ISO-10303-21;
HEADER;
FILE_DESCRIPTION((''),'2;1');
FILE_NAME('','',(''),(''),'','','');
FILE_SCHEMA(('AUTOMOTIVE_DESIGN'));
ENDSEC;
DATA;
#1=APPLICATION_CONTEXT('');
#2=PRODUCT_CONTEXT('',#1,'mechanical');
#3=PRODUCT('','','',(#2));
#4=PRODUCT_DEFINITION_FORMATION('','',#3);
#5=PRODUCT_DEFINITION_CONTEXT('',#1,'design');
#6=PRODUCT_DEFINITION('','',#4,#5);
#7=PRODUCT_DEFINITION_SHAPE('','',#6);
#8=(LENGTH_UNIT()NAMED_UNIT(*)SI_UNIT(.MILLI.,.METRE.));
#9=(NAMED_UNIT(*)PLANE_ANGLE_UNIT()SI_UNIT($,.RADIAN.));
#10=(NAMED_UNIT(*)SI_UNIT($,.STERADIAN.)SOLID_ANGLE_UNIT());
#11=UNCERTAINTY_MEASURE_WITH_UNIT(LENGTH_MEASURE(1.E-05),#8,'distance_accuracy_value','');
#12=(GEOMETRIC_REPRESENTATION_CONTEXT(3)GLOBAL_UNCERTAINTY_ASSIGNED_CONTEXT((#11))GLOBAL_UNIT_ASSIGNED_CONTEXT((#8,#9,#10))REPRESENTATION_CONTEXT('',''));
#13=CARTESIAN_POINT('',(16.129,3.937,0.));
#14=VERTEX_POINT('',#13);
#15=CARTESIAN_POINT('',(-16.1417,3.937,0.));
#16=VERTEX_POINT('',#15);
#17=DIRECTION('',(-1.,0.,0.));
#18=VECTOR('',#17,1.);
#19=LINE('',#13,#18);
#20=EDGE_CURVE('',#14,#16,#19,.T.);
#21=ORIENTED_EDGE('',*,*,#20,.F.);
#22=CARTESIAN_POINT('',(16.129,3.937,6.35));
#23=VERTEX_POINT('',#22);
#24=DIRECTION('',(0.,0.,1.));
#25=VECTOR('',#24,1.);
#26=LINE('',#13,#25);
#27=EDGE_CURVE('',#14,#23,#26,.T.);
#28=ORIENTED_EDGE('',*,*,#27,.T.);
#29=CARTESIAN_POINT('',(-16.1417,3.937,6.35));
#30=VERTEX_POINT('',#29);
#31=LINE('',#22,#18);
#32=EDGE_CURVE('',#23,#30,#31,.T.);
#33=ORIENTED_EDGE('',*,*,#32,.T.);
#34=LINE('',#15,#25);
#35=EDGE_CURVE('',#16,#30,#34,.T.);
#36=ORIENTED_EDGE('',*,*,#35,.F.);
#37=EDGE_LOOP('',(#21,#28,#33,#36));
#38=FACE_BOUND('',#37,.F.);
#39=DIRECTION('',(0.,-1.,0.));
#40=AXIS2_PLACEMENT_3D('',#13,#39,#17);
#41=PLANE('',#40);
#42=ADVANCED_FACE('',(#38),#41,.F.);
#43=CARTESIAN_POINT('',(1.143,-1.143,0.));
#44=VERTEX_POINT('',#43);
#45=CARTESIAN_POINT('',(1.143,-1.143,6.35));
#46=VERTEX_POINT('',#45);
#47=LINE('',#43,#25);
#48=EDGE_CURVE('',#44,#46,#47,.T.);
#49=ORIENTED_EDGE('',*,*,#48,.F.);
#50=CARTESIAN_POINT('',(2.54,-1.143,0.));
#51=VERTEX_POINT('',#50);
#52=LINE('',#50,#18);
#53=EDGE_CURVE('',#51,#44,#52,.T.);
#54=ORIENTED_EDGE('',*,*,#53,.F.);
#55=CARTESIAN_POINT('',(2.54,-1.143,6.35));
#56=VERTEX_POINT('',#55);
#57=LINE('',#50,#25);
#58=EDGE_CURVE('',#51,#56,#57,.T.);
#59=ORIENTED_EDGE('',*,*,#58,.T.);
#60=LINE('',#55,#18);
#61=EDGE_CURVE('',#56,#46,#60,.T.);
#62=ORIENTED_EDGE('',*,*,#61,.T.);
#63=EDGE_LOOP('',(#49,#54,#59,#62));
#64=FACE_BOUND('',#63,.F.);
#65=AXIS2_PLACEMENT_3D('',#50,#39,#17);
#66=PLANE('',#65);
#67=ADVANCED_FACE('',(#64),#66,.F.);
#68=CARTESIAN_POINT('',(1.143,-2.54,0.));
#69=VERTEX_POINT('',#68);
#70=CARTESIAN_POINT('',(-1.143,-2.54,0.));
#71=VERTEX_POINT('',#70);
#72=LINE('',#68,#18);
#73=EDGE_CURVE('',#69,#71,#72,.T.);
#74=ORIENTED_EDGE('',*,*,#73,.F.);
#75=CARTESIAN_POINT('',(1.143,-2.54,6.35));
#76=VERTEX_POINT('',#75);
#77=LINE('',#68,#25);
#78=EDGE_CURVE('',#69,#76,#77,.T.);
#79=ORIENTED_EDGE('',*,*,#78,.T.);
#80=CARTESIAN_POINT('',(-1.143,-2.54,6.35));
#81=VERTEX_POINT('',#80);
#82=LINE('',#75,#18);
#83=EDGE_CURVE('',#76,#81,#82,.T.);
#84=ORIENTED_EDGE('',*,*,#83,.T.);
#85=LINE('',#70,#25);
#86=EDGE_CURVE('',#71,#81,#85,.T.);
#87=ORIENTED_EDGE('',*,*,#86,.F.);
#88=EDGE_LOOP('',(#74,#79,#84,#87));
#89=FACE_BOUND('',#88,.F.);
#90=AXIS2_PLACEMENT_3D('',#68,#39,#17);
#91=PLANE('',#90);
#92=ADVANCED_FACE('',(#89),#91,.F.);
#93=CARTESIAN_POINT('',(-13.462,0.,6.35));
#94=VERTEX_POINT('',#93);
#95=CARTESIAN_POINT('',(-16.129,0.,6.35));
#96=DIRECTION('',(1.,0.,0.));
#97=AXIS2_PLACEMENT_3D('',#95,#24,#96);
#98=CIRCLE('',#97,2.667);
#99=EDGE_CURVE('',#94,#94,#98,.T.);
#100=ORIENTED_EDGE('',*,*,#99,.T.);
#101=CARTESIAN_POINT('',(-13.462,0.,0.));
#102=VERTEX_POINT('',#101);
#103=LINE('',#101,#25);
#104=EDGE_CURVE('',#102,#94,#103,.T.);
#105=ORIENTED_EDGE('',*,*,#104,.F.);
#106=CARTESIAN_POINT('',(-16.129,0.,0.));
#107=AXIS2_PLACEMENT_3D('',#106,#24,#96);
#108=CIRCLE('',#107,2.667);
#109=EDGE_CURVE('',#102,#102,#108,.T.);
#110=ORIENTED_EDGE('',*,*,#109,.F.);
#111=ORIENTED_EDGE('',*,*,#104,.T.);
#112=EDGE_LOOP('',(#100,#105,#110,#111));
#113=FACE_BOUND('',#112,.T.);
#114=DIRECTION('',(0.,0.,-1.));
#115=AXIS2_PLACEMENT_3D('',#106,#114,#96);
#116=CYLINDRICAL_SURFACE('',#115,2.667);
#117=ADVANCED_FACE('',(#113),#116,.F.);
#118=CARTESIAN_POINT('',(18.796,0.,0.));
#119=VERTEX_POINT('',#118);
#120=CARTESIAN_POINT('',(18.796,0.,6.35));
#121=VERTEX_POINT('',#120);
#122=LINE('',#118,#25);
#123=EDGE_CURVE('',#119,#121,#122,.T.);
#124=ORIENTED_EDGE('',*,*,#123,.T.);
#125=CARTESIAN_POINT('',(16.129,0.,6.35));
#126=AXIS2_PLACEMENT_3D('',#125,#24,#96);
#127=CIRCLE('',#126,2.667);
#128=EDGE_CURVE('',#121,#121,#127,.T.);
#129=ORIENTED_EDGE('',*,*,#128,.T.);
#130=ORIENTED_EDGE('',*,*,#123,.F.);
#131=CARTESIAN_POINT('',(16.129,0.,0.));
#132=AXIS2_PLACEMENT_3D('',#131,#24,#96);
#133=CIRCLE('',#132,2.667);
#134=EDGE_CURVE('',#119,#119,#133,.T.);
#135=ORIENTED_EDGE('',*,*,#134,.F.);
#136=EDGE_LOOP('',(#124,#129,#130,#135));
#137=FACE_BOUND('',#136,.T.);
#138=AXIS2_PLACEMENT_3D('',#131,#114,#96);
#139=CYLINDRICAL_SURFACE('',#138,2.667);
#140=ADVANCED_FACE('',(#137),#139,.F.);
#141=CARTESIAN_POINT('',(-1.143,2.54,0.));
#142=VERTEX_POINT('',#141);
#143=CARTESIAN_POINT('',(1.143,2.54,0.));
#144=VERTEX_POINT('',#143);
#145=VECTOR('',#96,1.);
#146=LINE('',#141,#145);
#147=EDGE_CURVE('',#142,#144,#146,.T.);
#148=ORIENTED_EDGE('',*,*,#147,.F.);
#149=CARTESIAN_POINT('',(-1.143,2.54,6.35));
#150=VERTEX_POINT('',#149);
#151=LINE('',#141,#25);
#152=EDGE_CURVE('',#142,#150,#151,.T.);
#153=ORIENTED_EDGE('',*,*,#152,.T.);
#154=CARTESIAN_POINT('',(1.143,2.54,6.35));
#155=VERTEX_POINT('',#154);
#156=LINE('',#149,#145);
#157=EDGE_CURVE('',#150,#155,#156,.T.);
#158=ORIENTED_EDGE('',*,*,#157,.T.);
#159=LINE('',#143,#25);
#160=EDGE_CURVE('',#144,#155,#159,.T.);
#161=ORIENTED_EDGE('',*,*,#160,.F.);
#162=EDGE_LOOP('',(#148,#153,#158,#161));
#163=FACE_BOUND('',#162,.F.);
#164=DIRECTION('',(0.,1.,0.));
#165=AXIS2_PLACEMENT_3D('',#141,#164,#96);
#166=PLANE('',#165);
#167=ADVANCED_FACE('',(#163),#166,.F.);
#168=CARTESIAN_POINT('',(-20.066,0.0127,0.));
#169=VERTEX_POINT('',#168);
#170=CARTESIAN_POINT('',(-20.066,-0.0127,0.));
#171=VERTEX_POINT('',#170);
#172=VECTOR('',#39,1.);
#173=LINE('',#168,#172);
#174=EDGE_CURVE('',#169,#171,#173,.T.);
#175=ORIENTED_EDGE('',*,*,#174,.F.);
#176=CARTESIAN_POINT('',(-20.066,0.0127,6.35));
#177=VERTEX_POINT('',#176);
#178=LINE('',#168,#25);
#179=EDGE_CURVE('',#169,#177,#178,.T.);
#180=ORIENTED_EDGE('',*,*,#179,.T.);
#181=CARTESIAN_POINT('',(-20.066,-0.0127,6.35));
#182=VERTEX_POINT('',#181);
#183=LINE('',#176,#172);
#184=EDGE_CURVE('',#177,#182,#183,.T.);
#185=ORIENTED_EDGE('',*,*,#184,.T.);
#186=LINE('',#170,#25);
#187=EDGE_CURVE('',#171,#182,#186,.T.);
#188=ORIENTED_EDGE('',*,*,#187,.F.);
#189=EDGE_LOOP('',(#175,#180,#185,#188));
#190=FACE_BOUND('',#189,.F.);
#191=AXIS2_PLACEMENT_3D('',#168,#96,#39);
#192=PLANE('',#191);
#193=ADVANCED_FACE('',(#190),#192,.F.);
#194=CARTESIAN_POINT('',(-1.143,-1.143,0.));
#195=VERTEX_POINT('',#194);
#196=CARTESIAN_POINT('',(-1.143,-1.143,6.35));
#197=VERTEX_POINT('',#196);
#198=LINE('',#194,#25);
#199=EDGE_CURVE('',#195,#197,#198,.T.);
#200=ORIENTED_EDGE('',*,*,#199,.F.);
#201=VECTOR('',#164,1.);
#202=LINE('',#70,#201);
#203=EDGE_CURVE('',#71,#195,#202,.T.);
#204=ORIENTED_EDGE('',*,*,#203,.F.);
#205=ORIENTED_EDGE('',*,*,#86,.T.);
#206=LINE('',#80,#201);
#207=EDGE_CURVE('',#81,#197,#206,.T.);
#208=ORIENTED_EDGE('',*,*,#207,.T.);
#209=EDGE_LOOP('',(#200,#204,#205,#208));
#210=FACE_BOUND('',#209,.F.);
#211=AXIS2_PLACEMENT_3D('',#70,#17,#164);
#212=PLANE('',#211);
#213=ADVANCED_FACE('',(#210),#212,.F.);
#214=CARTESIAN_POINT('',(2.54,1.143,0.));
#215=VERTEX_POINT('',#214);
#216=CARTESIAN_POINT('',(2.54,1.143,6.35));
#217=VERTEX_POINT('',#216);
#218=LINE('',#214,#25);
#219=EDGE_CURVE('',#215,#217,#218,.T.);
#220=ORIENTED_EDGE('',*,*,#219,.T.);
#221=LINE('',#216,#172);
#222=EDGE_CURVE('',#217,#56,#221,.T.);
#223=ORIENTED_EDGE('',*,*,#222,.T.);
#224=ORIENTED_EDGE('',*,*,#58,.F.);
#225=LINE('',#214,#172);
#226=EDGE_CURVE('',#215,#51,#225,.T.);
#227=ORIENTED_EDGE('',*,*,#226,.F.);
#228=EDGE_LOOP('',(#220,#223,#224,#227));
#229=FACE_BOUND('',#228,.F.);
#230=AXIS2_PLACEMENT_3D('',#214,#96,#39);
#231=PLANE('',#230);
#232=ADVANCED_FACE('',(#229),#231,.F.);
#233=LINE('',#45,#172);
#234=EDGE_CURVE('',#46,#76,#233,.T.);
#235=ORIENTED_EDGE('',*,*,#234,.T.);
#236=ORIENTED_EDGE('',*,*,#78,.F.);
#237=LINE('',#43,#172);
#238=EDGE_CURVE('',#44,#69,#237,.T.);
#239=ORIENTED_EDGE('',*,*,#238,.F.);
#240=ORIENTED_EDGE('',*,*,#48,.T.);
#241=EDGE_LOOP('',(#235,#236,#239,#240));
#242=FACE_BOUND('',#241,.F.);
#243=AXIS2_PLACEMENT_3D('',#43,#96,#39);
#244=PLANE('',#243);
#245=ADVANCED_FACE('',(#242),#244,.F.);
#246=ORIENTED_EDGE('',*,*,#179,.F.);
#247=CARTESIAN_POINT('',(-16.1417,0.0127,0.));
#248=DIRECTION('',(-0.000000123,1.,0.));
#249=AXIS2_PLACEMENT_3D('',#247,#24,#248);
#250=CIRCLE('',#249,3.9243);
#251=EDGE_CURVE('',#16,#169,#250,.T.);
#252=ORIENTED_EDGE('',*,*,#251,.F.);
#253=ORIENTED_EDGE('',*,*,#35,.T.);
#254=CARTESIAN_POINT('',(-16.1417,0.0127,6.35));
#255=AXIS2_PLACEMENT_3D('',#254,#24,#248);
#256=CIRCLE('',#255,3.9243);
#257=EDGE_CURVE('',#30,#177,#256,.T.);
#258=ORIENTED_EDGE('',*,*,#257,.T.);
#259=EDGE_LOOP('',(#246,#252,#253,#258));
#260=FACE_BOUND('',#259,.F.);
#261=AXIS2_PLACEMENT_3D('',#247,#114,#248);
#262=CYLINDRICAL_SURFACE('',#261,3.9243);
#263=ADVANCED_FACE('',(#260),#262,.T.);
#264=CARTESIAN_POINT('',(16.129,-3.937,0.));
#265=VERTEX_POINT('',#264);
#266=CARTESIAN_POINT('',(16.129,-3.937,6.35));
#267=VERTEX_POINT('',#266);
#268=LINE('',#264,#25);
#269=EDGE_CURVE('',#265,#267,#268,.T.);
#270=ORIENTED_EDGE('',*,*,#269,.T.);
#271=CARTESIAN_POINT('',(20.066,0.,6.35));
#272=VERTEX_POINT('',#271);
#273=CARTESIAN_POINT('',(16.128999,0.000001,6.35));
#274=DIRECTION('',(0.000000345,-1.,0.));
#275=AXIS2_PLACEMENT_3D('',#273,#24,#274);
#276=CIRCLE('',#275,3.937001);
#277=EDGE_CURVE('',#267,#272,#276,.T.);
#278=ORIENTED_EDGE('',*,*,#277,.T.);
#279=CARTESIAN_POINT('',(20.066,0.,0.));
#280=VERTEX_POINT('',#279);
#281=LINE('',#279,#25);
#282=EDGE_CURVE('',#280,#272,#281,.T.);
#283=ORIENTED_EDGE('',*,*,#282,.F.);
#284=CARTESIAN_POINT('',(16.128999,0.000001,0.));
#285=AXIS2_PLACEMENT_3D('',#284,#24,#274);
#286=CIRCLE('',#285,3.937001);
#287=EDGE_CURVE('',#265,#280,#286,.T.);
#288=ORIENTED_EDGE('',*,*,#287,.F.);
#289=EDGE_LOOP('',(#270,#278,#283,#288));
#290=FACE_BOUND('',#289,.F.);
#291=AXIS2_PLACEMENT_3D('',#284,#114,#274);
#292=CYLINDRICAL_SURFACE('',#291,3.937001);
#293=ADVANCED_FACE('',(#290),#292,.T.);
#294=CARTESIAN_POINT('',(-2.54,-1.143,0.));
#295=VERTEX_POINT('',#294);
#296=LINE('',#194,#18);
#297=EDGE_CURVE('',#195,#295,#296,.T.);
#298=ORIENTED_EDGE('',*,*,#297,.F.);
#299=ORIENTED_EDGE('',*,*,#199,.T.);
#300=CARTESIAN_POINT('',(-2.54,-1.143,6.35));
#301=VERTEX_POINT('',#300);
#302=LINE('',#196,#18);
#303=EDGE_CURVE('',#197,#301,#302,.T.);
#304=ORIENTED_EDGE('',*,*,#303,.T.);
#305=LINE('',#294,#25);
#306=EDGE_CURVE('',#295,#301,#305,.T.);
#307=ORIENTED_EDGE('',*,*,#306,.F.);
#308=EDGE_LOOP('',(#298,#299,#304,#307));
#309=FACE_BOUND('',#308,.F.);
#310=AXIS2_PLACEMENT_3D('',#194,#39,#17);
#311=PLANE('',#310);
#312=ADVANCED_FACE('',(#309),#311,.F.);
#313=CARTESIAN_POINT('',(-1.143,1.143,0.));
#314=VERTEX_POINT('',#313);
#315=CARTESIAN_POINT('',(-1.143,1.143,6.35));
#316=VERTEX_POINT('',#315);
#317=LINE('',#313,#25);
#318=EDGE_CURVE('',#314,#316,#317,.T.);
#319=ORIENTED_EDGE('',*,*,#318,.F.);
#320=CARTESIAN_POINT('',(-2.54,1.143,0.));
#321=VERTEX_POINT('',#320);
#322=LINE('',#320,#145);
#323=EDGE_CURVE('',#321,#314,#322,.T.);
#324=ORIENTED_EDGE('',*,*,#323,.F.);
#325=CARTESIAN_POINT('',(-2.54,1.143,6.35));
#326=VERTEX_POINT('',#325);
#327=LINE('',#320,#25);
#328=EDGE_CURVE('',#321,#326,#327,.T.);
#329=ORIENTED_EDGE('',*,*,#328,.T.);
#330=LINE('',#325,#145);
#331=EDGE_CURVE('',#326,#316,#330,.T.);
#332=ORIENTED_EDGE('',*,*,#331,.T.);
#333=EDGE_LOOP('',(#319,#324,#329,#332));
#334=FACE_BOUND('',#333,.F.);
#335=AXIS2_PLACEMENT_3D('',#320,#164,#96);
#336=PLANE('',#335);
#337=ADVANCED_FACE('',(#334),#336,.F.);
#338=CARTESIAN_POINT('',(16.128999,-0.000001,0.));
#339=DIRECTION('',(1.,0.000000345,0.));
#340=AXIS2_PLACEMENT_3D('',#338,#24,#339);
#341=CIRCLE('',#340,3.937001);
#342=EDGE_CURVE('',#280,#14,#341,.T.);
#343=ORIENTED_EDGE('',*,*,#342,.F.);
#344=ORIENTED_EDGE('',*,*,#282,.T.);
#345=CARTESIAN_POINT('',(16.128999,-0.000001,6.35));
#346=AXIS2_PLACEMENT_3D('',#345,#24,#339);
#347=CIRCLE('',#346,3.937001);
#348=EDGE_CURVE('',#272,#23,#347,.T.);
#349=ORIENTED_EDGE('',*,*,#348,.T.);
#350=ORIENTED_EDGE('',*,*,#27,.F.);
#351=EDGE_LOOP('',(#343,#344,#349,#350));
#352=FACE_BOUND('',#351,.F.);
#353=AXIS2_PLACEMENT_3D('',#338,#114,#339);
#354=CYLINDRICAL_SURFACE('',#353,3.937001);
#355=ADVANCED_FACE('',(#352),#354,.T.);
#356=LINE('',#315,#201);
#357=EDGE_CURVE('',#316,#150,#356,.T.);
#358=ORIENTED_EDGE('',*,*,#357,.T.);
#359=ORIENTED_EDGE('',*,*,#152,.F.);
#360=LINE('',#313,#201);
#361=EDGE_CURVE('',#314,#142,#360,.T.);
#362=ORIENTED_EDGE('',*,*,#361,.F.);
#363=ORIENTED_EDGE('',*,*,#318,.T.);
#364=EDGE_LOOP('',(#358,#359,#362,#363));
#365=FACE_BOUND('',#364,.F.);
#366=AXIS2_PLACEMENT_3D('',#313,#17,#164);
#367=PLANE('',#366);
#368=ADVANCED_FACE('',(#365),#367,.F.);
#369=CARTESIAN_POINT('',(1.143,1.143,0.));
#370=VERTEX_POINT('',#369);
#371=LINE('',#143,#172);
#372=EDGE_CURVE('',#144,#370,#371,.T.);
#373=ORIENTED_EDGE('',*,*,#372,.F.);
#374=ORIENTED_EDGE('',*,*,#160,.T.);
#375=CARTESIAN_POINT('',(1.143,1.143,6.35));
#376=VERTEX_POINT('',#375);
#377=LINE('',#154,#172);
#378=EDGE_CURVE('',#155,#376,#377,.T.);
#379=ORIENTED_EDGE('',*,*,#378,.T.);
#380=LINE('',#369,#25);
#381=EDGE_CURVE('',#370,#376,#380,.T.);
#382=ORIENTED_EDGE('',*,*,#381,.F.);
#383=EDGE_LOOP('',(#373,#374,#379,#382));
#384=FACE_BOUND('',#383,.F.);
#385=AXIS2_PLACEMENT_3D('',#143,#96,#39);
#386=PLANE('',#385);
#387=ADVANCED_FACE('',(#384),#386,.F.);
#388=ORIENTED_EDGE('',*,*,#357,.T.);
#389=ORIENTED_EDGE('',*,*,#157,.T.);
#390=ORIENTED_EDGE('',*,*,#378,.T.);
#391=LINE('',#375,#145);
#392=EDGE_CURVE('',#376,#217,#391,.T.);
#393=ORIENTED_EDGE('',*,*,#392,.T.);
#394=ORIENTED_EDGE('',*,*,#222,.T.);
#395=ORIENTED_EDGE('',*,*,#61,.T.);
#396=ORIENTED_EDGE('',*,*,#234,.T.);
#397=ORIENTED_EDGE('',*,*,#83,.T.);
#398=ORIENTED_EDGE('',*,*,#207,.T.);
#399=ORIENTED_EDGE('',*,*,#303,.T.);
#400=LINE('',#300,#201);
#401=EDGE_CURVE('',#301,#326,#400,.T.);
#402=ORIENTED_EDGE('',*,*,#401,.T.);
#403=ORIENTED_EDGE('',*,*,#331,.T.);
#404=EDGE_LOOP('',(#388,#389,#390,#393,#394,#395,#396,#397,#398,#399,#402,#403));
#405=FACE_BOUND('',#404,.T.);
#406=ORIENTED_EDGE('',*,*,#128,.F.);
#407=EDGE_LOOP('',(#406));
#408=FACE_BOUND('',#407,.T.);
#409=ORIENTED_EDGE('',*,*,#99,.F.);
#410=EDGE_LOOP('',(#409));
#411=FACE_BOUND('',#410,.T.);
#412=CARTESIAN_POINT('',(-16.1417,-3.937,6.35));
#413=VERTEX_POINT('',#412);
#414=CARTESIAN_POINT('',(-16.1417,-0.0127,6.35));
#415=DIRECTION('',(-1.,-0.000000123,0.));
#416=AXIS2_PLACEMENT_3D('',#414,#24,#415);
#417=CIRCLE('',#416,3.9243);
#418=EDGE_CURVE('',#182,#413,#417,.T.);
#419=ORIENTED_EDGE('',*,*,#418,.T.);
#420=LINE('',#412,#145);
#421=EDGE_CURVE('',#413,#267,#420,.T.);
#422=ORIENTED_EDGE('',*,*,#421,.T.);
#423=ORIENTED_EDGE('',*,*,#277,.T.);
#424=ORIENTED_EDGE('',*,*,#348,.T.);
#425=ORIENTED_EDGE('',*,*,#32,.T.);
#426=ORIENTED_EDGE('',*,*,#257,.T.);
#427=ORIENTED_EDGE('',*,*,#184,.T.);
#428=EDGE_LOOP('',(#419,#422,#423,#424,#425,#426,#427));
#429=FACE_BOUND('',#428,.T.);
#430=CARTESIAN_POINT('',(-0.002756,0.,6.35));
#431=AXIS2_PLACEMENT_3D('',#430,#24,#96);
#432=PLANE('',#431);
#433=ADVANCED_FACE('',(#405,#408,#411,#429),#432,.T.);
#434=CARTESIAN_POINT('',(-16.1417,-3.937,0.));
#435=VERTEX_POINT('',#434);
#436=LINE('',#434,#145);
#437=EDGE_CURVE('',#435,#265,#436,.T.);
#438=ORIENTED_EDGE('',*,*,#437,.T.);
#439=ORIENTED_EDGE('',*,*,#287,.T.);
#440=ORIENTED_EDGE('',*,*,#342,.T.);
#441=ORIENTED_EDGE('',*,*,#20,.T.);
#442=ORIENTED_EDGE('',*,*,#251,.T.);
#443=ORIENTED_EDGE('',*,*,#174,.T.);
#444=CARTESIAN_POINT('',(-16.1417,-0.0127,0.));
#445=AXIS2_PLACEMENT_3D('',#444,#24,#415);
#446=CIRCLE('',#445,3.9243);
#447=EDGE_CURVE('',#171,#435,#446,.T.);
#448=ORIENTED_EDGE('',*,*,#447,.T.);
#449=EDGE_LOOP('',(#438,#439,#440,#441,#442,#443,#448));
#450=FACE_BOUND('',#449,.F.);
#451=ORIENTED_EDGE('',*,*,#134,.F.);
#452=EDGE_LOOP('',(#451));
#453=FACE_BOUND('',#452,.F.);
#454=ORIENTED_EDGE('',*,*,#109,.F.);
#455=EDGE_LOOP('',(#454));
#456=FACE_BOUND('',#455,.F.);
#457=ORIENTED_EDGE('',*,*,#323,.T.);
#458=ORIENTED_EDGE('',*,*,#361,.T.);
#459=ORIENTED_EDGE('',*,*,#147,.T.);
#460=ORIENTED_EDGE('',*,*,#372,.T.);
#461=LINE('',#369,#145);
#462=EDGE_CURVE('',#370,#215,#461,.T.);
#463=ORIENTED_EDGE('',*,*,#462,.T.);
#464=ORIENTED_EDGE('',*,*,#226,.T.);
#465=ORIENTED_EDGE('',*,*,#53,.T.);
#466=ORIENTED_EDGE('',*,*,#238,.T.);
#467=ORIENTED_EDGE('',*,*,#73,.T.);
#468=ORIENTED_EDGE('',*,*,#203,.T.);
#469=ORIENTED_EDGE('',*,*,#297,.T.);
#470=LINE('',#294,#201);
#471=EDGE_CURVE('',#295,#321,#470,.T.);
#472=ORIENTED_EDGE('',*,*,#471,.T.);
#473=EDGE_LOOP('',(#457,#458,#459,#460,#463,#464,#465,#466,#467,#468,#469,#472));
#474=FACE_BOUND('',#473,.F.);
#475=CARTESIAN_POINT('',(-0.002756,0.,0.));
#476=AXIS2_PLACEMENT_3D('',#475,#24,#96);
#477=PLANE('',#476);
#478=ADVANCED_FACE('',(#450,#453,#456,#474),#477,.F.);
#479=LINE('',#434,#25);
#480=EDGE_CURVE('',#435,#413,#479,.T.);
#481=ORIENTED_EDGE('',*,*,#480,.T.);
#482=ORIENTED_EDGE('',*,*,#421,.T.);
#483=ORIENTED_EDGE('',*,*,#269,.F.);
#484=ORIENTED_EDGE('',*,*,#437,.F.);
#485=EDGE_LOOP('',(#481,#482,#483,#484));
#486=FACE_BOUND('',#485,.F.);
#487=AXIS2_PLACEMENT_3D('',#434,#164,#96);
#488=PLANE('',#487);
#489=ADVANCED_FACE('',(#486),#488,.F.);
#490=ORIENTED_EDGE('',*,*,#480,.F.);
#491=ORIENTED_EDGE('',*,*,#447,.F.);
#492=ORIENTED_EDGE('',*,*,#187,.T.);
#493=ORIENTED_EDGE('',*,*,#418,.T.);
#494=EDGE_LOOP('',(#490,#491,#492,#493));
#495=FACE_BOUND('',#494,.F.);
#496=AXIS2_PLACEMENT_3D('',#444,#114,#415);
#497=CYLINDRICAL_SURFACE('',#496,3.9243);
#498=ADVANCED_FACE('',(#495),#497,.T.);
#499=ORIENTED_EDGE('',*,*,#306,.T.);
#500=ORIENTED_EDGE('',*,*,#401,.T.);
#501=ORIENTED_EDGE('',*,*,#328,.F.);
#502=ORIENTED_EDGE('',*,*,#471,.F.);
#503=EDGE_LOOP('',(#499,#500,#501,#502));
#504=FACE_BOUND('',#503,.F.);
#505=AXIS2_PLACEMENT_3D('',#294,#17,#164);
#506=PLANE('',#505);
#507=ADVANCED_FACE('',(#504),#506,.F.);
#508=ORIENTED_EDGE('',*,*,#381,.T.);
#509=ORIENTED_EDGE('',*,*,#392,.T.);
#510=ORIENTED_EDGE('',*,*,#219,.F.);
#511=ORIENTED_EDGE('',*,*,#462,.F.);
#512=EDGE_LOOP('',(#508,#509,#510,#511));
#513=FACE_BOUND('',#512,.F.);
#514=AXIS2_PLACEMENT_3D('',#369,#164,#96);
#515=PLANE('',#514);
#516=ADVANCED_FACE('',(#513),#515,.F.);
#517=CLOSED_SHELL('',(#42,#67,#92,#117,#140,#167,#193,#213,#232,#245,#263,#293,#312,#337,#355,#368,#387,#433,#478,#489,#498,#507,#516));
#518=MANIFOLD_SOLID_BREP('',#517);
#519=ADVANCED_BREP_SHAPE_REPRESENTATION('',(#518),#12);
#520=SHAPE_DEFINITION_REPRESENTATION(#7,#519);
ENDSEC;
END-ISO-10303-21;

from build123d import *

# Parameters (mm, degrees)
F0_R     = 2.667
F1_DEPTH = 6.35


with BuildPart() as f1:
    # F0 (on Top) → F1 (new body)
    with BuildSketch(Plane.XY):
        with BuildLine():
            Line((-16.1417, -3.937), (16.129, -3.937))
            ThreePointArc((16.129, -3.937), (18.912879, -2.783879), (20.066, 0))
            ThreePointArc((20.066, 0), (18.912879, 2.783879), (16.129, 3.937))
            Line((16.129, 3.937), (-16.1417, 3.937))
            ThreePointArc((-16.1417, 3.937), (-18.916599, 2.787599), (-20.066, 0.0127))
            Line((-20.066, 0.0127), (-20.066, -0.0127))
            ThreePointArc((-20.066, -0.0127), (-18.916599, -2.787599), (-16.1417, -3.937))
        make_face()
        with Locations((-16.129, 0)):
            Circle(F0_R, mode=Mode.SUBTRACT)
        Polygon((-1.143, 2.54), (0, 2.54), (1.143, 2.54), (1.143, 1.143), (2.54, 1.143), (2.54, 0), (2.54, -1.143), (1.143, -1.143), (1.143, -2.54), (0, -2.54), (-1.143, -2.54), (-1.143, -1.143), (-2.54, -1.143), (-2.54, 0), (-2.54, 1.143), (-1.143, 1.143), align=None, mode=Mode.SUBTRACT)
        with Locations((16.129, 0)):
            Circle(F0_R, mode=Mode.SUBTRACT)
    extrude(amount=F1_DEPTH)


solid = f1.part
